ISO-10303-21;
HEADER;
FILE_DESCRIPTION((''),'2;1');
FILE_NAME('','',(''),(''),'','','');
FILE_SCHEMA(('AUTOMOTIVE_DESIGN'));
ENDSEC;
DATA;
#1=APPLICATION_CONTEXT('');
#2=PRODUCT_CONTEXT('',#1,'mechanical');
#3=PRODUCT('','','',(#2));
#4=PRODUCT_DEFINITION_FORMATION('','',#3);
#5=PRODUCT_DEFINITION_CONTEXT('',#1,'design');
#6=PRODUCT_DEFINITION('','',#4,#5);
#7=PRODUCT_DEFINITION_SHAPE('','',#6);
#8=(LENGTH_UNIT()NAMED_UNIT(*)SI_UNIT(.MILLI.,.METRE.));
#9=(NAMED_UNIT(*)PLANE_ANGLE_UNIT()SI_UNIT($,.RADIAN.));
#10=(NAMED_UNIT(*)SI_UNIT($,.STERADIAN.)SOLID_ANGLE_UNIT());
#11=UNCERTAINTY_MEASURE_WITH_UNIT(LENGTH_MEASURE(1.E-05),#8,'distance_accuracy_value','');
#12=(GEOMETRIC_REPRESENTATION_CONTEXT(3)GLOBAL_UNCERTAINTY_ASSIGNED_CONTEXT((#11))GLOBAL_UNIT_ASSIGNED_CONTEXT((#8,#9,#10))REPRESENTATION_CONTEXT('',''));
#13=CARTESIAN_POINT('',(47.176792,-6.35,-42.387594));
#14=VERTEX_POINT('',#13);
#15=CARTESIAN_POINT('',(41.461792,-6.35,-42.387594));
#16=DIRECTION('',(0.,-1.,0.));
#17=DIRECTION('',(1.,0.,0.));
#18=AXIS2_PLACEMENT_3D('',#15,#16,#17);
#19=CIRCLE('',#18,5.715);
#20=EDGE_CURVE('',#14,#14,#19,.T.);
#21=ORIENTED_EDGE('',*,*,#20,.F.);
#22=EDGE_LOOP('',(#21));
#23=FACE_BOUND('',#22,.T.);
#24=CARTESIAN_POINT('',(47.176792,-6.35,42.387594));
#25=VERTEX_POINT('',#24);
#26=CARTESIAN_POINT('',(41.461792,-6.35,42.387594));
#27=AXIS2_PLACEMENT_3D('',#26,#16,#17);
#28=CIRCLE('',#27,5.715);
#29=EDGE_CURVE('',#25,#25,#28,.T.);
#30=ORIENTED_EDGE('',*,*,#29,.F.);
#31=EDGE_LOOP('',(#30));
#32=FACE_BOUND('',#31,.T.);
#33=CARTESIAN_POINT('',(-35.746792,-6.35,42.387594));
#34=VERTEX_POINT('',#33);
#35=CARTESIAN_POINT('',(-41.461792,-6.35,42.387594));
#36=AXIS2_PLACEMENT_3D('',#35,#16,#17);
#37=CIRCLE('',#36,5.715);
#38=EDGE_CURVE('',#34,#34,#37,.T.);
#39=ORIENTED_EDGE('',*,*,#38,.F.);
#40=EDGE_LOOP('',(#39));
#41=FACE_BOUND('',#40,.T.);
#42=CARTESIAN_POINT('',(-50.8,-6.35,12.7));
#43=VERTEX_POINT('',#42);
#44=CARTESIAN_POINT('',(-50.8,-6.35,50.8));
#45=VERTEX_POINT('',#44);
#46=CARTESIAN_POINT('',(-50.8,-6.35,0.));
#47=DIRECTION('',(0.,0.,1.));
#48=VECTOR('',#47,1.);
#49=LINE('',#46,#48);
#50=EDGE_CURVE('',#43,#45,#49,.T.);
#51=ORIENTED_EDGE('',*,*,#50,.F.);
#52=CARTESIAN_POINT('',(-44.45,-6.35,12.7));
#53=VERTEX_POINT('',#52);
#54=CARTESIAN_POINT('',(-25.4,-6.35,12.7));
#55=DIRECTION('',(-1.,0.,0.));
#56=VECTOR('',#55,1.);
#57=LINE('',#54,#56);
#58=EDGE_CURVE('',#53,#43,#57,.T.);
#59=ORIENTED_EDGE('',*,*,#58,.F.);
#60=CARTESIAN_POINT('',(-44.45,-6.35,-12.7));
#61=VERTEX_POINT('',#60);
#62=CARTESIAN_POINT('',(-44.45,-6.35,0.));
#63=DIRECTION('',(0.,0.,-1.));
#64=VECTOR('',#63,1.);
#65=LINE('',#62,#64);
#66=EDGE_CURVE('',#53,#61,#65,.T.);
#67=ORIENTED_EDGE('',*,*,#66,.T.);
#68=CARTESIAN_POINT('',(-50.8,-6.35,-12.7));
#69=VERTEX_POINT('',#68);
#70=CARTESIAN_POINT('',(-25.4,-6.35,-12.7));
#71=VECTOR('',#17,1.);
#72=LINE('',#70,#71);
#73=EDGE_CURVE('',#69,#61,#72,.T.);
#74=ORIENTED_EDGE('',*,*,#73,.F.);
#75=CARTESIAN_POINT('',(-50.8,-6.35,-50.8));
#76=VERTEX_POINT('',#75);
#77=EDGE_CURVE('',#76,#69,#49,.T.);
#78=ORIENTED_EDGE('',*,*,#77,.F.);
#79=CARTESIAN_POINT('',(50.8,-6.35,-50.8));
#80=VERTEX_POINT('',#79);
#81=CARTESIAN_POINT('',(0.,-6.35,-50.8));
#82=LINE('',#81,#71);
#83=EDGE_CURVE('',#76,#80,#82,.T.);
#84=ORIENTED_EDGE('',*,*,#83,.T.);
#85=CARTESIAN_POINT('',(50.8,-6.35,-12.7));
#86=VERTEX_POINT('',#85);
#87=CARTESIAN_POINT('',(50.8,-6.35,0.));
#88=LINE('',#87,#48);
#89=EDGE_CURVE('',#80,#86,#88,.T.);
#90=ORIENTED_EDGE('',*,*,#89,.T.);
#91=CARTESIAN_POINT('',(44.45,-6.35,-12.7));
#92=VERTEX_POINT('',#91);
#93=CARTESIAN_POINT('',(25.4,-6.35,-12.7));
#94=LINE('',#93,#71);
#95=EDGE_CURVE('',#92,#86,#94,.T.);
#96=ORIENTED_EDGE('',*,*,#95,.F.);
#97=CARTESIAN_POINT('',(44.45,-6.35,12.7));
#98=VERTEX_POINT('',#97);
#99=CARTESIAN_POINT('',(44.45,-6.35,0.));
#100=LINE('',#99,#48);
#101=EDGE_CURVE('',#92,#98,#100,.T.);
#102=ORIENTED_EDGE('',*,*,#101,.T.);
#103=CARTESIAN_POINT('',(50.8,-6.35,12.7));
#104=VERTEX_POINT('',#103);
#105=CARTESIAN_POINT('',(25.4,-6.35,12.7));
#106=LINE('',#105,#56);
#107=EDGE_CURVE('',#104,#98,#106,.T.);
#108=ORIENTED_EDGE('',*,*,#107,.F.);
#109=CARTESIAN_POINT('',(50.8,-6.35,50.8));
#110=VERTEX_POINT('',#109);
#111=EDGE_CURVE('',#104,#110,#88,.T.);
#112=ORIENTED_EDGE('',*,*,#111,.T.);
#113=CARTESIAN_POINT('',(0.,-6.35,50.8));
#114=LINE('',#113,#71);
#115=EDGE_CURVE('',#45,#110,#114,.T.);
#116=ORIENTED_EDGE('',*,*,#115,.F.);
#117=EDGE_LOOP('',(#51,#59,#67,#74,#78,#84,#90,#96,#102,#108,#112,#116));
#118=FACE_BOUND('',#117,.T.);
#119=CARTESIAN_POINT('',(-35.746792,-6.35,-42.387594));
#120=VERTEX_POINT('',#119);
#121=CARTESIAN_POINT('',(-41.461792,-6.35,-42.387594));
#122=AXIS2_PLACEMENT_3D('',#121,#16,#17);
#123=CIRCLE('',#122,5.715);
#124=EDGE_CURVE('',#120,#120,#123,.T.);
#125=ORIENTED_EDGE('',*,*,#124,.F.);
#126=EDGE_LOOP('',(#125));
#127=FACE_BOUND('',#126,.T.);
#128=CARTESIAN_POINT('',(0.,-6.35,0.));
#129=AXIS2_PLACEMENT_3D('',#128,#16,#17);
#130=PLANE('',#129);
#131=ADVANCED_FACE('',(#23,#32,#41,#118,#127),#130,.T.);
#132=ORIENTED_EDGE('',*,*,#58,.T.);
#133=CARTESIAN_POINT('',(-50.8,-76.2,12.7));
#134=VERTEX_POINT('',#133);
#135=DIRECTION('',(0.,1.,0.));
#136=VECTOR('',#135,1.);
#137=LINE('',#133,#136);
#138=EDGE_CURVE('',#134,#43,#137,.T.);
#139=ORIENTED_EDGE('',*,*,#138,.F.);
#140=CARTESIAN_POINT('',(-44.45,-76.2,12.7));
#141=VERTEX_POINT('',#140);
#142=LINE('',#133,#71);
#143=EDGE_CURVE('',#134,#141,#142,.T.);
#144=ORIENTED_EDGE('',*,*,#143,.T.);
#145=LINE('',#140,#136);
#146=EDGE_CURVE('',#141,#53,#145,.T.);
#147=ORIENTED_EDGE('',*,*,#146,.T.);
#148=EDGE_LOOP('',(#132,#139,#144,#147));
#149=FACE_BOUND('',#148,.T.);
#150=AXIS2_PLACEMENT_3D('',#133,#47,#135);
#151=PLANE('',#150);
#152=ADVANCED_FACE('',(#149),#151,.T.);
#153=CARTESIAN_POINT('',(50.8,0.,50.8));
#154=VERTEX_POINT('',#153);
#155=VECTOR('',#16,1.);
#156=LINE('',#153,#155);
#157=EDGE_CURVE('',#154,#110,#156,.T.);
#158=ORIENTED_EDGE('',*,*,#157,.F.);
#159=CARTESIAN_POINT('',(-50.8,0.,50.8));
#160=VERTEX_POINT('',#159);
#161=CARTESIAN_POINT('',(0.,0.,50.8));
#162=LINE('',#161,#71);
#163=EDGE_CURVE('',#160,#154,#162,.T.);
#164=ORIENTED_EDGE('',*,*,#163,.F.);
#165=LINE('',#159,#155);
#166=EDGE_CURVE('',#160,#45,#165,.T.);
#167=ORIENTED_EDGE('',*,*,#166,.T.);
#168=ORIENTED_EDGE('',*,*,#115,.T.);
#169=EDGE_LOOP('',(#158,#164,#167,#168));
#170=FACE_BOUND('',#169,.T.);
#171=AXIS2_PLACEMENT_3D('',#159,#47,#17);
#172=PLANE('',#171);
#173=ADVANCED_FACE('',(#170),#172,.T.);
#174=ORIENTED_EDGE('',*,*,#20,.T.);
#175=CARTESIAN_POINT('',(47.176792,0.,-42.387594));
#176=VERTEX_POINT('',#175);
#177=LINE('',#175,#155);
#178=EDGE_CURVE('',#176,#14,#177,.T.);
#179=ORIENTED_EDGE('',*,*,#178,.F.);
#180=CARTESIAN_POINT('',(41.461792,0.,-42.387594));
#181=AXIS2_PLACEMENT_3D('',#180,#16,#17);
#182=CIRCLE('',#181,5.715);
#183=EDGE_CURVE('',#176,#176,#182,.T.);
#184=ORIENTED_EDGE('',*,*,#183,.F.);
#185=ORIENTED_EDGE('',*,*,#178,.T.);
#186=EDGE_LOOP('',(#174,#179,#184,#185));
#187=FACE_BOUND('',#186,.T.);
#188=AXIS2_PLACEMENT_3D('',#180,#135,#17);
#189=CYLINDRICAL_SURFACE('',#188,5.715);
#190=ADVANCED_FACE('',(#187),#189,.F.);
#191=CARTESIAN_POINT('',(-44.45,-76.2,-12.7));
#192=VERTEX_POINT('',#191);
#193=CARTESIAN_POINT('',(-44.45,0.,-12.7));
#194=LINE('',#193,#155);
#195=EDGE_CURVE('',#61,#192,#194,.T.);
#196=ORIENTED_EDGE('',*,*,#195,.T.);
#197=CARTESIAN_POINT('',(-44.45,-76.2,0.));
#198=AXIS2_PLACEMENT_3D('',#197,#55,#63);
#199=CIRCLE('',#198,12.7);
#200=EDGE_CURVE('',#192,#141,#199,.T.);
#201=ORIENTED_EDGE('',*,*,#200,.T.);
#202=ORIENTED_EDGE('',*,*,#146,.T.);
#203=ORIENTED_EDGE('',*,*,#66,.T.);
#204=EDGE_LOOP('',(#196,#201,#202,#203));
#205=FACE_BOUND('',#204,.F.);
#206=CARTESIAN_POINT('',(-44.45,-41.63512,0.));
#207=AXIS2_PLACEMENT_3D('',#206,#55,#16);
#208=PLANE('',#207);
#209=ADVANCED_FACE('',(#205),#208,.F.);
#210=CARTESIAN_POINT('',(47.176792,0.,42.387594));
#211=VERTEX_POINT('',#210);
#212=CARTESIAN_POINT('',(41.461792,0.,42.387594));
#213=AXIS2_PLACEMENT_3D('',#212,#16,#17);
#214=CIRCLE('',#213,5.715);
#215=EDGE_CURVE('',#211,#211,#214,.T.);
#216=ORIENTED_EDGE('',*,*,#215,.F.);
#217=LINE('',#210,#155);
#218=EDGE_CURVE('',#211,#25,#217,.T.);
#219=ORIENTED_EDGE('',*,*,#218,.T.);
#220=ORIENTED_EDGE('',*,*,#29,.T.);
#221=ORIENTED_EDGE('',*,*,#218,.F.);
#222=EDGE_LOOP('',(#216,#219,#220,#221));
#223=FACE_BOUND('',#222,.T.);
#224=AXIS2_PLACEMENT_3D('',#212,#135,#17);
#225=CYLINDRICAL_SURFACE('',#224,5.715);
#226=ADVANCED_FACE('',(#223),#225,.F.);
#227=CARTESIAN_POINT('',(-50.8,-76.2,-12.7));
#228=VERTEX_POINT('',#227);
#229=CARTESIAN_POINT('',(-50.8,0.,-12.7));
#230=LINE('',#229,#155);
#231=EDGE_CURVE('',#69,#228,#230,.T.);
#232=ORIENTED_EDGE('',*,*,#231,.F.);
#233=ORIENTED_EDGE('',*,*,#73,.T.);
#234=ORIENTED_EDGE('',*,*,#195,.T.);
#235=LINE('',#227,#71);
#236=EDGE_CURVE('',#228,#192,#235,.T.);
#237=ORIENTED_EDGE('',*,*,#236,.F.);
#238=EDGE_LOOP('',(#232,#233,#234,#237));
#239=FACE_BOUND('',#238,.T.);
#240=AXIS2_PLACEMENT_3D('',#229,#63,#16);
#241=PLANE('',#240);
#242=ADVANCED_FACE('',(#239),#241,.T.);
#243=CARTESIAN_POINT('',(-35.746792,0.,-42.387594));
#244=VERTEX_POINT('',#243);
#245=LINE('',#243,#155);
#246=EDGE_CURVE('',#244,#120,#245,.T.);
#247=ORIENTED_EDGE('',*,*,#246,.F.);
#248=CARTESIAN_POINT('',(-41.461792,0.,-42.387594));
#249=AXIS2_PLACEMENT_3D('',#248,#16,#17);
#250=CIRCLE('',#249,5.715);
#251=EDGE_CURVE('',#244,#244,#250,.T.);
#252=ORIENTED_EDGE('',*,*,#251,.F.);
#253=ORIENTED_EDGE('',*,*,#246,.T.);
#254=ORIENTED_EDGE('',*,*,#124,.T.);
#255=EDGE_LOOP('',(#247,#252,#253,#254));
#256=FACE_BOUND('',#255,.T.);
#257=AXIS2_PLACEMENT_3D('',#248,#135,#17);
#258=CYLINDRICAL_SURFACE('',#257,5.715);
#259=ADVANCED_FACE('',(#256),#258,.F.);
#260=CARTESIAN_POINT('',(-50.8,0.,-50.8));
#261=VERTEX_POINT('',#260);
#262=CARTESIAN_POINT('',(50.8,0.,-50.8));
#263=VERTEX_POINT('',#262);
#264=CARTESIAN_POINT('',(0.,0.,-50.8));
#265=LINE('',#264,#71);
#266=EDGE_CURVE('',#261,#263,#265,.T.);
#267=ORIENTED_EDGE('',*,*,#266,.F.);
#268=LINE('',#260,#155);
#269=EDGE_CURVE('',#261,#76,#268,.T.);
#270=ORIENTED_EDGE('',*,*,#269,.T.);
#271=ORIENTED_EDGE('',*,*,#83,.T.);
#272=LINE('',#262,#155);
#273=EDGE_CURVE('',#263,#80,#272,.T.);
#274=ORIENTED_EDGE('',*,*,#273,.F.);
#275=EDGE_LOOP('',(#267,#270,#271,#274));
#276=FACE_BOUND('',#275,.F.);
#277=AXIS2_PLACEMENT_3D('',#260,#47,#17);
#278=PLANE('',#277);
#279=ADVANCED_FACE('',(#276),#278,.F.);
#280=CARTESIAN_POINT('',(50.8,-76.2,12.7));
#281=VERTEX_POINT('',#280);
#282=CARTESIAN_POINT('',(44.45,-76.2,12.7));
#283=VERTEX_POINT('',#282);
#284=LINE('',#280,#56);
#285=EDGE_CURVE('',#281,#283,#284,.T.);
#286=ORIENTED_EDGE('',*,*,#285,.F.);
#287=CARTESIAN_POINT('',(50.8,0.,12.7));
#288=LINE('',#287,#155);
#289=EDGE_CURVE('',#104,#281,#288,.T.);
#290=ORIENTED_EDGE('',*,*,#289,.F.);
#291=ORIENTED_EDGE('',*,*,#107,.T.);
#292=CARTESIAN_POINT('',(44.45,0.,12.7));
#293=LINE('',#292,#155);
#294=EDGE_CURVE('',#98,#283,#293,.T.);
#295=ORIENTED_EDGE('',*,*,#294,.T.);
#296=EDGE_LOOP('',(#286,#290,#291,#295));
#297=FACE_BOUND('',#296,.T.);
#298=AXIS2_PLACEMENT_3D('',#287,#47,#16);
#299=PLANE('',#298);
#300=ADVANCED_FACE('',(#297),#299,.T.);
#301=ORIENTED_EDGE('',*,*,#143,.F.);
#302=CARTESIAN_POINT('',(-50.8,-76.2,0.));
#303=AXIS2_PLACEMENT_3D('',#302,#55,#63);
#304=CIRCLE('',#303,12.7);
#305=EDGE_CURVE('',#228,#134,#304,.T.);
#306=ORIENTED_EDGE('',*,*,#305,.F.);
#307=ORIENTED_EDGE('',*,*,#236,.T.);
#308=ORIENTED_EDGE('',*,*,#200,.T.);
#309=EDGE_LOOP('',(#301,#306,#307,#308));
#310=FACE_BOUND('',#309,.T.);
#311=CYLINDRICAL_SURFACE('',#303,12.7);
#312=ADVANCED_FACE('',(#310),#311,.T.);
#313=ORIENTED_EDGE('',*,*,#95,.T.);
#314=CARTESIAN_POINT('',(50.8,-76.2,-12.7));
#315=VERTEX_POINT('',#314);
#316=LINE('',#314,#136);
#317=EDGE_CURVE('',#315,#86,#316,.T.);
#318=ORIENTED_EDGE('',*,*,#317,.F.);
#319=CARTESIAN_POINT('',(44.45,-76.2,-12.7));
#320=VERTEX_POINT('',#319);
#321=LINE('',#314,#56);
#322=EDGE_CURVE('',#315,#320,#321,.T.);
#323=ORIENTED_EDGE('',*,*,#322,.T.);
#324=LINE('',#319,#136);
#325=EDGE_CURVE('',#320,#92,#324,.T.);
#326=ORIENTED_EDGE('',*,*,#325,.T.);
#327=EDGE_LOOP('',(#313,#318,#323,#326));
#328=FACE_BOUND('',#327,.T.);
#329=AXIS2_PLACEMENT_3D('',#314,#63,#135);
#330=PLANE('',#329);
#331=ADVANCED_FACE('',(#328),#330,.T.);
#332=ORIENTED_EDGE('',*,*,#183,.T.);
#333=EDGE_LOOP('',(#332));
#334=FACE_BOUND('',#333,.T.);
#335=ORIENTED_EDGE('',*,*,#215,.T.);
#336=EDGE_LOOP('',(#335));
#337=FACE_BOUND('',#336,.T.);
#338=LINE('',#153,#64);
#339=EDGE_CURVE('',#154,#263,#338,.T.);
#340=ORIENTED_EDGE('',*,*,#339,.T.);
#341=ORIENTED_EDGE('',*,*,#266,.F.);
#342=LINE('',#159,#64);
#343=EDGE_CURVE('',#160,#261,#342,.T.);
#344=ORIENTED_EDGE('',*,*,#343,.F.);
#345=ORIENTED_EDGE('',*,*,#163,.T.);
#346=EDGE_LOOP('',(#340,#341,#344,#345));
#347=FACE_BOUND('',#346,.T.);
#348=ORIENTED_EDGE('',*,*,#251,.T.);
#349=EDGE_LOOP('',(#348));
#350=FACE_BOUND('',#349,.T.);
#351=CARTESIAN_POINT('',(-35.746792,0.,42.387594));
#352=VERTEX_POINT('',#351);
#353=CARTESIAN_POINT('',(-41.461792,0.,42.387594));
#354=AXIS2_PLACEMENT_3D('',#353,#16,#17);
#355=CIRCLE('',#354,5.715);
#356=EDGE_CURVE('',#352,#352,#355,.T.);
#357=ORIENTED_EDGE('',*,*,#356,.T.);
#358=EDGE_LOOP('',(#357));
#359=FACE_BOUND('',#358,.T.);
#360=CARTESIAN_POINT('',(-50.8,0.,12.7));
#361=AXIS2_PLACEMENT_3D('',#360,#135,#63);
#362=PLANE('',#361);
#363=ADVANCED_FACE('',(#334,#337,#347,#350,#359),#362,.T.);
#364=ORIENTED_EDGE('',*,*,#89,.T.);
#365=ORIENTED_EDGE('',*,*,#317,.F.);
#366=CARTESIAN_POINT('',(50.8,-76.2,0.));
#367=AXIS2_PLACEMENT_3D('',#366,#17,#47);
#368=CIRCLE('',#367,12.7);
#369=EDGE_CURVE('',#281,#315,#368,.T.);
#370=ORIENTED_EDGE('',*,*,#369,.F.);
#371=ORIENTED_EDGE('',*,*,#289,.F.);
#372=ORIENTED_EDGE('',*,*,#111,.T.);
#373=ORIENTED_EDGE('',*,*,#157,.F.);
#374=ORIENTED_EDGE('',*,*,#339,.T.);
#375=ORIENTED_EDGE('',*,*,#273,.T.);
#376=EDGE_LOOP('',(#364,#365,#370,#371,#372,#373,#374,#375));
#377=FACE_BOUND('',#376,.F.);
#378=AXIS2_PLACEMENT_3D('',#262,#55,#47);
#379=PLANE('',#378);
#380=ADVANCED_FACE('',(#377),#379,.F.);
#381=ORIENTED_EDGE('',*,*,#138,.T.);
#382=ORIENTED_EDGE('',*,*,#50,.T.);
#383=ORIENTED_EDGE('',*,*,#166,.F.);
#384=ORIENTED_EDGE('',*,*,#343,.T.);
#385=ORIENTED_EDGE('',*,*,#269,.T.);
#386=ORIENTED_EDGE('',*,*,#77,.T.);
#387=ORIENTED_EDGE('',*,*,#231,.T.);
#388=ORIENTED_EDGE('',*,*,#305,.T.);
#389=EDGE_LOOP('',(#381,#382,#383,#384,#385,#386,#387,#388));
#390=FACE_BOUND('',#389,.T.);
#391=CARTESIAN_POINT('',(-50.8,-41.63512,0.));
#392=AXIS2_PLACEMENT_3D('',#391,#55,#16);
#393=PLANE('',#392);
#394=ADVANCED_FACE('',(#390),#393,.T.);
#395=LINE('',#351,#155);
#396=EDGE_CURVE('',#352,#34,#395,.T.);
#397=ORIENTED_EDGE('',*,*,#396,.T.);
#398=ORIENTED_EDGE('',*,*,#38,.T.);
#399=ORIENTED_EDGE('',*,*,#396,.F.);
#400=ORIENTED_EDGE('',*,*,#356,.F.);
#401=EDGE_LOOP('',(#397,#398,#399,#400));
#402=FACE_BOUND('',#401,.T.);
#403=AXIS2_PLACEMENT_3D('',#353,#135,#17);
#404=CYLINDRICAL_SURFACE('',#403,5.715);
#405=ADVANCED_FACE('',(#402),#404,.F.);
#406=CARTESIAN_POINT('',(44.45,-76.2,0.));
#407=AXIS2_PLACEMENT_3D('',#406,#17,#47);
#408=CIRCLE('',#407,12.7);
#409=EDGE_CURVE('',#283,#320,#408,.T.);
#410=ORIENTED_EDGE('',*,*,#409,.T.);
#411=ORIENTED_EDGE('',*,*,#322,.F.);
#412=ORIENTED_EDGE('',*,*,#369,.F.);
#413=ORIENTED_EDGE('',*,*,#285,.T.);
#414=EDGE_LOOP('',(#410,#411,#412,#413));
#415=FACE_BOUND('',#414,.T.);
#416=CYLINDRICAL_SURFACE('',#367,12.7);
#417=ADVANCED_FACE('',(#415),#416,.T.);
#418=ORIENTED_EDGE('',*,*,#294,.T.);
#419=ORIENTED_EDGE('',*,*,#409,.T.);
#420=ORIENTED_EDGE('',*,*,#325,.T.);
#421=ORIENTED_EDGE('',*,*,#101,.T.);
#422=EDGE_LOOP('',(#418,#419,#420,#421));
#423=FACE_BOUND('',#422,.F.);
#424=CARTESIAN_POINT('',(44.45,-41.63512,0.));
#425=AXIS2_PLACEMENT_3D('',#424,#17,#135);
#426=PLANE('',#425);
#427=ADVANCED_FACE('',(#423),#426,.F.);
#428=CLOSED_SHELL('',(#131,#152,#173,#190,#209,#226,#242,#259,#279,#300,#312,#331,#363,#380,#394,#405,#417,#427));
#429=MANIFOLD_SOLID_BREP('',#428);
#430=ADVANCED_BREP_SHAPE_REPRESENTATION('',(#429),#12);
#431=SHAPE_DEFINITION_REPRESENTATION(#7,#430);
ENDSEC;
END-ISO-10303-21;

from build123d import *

# Parameters (mm, degrees)
F0_W     = 101.6
F0_H     = 101.6
F1_DEPTH = 6.35
F2_R     = 5.715
F3_DEPTH = 6.35
F8_DEPTH = 6.35
F9_DEPTH = 6.35


with BuildPart() as f1:
    # F0 (on Front) → F1 (new body)
    with BuildSketch(Plane.XZ):
        Rectangle(F0_W, F0_H)
    extrude(amount=F1_DEPTH)

    # F2 (on Front) → F3 (cut)
    with BuildSketch(Plane.XZ):
        with Locations((-41.4617918432, 42.3875935376)):
            Circle(F2_R)
        with Locations((41.4617918432, 42.3875935376)):
            Circle(F2_R)
        with Locations((-41.4617918432, -42.3875935376)):
            Circle(F2_R)
        with Locations((41.4617918432, -42.3875935376)):
            Circle(F2_R)
    extrude(amount=F3_DEPTH, mode=Mode.SUBTRACT)

    # F7 (on offset) → F8 (join)
    with BuildSketch(Plane.YZ.offset(50.8)):
        with BuildLine():
            Line((0, -12.7), (0, 12.7))
            Line((0, 12.7), (-76.2, 12.7))
            ThreePointArc((-76.2, 12.7), (-88.9, 0), (-76.2, -12.7))
            Line((-76.2, -12.7), (0, -12.7))
        make_face()
    extrude(amount=-F8_DEPTH)

    # F5 (on offset) → F9 (join)
    with BuildSketch(Plane(origin=(-50.8, 0, 0), x_dir=(0, -1, 0), z_dir=(-1, 0, 0))):
        with BuildLine():
            Line((76.2, 12.7), (0, 12.7))
            Line((0, 12.7), (0, -12.7))
            Line((0, -12.7), (76.2, -12.7))
            ThreePointArc((76.2, -12.7), (88.9, 0), (76.2, 12.7))
        make_face()
    extrude(amount=-F9_DEPTH)


solid = f1.part
